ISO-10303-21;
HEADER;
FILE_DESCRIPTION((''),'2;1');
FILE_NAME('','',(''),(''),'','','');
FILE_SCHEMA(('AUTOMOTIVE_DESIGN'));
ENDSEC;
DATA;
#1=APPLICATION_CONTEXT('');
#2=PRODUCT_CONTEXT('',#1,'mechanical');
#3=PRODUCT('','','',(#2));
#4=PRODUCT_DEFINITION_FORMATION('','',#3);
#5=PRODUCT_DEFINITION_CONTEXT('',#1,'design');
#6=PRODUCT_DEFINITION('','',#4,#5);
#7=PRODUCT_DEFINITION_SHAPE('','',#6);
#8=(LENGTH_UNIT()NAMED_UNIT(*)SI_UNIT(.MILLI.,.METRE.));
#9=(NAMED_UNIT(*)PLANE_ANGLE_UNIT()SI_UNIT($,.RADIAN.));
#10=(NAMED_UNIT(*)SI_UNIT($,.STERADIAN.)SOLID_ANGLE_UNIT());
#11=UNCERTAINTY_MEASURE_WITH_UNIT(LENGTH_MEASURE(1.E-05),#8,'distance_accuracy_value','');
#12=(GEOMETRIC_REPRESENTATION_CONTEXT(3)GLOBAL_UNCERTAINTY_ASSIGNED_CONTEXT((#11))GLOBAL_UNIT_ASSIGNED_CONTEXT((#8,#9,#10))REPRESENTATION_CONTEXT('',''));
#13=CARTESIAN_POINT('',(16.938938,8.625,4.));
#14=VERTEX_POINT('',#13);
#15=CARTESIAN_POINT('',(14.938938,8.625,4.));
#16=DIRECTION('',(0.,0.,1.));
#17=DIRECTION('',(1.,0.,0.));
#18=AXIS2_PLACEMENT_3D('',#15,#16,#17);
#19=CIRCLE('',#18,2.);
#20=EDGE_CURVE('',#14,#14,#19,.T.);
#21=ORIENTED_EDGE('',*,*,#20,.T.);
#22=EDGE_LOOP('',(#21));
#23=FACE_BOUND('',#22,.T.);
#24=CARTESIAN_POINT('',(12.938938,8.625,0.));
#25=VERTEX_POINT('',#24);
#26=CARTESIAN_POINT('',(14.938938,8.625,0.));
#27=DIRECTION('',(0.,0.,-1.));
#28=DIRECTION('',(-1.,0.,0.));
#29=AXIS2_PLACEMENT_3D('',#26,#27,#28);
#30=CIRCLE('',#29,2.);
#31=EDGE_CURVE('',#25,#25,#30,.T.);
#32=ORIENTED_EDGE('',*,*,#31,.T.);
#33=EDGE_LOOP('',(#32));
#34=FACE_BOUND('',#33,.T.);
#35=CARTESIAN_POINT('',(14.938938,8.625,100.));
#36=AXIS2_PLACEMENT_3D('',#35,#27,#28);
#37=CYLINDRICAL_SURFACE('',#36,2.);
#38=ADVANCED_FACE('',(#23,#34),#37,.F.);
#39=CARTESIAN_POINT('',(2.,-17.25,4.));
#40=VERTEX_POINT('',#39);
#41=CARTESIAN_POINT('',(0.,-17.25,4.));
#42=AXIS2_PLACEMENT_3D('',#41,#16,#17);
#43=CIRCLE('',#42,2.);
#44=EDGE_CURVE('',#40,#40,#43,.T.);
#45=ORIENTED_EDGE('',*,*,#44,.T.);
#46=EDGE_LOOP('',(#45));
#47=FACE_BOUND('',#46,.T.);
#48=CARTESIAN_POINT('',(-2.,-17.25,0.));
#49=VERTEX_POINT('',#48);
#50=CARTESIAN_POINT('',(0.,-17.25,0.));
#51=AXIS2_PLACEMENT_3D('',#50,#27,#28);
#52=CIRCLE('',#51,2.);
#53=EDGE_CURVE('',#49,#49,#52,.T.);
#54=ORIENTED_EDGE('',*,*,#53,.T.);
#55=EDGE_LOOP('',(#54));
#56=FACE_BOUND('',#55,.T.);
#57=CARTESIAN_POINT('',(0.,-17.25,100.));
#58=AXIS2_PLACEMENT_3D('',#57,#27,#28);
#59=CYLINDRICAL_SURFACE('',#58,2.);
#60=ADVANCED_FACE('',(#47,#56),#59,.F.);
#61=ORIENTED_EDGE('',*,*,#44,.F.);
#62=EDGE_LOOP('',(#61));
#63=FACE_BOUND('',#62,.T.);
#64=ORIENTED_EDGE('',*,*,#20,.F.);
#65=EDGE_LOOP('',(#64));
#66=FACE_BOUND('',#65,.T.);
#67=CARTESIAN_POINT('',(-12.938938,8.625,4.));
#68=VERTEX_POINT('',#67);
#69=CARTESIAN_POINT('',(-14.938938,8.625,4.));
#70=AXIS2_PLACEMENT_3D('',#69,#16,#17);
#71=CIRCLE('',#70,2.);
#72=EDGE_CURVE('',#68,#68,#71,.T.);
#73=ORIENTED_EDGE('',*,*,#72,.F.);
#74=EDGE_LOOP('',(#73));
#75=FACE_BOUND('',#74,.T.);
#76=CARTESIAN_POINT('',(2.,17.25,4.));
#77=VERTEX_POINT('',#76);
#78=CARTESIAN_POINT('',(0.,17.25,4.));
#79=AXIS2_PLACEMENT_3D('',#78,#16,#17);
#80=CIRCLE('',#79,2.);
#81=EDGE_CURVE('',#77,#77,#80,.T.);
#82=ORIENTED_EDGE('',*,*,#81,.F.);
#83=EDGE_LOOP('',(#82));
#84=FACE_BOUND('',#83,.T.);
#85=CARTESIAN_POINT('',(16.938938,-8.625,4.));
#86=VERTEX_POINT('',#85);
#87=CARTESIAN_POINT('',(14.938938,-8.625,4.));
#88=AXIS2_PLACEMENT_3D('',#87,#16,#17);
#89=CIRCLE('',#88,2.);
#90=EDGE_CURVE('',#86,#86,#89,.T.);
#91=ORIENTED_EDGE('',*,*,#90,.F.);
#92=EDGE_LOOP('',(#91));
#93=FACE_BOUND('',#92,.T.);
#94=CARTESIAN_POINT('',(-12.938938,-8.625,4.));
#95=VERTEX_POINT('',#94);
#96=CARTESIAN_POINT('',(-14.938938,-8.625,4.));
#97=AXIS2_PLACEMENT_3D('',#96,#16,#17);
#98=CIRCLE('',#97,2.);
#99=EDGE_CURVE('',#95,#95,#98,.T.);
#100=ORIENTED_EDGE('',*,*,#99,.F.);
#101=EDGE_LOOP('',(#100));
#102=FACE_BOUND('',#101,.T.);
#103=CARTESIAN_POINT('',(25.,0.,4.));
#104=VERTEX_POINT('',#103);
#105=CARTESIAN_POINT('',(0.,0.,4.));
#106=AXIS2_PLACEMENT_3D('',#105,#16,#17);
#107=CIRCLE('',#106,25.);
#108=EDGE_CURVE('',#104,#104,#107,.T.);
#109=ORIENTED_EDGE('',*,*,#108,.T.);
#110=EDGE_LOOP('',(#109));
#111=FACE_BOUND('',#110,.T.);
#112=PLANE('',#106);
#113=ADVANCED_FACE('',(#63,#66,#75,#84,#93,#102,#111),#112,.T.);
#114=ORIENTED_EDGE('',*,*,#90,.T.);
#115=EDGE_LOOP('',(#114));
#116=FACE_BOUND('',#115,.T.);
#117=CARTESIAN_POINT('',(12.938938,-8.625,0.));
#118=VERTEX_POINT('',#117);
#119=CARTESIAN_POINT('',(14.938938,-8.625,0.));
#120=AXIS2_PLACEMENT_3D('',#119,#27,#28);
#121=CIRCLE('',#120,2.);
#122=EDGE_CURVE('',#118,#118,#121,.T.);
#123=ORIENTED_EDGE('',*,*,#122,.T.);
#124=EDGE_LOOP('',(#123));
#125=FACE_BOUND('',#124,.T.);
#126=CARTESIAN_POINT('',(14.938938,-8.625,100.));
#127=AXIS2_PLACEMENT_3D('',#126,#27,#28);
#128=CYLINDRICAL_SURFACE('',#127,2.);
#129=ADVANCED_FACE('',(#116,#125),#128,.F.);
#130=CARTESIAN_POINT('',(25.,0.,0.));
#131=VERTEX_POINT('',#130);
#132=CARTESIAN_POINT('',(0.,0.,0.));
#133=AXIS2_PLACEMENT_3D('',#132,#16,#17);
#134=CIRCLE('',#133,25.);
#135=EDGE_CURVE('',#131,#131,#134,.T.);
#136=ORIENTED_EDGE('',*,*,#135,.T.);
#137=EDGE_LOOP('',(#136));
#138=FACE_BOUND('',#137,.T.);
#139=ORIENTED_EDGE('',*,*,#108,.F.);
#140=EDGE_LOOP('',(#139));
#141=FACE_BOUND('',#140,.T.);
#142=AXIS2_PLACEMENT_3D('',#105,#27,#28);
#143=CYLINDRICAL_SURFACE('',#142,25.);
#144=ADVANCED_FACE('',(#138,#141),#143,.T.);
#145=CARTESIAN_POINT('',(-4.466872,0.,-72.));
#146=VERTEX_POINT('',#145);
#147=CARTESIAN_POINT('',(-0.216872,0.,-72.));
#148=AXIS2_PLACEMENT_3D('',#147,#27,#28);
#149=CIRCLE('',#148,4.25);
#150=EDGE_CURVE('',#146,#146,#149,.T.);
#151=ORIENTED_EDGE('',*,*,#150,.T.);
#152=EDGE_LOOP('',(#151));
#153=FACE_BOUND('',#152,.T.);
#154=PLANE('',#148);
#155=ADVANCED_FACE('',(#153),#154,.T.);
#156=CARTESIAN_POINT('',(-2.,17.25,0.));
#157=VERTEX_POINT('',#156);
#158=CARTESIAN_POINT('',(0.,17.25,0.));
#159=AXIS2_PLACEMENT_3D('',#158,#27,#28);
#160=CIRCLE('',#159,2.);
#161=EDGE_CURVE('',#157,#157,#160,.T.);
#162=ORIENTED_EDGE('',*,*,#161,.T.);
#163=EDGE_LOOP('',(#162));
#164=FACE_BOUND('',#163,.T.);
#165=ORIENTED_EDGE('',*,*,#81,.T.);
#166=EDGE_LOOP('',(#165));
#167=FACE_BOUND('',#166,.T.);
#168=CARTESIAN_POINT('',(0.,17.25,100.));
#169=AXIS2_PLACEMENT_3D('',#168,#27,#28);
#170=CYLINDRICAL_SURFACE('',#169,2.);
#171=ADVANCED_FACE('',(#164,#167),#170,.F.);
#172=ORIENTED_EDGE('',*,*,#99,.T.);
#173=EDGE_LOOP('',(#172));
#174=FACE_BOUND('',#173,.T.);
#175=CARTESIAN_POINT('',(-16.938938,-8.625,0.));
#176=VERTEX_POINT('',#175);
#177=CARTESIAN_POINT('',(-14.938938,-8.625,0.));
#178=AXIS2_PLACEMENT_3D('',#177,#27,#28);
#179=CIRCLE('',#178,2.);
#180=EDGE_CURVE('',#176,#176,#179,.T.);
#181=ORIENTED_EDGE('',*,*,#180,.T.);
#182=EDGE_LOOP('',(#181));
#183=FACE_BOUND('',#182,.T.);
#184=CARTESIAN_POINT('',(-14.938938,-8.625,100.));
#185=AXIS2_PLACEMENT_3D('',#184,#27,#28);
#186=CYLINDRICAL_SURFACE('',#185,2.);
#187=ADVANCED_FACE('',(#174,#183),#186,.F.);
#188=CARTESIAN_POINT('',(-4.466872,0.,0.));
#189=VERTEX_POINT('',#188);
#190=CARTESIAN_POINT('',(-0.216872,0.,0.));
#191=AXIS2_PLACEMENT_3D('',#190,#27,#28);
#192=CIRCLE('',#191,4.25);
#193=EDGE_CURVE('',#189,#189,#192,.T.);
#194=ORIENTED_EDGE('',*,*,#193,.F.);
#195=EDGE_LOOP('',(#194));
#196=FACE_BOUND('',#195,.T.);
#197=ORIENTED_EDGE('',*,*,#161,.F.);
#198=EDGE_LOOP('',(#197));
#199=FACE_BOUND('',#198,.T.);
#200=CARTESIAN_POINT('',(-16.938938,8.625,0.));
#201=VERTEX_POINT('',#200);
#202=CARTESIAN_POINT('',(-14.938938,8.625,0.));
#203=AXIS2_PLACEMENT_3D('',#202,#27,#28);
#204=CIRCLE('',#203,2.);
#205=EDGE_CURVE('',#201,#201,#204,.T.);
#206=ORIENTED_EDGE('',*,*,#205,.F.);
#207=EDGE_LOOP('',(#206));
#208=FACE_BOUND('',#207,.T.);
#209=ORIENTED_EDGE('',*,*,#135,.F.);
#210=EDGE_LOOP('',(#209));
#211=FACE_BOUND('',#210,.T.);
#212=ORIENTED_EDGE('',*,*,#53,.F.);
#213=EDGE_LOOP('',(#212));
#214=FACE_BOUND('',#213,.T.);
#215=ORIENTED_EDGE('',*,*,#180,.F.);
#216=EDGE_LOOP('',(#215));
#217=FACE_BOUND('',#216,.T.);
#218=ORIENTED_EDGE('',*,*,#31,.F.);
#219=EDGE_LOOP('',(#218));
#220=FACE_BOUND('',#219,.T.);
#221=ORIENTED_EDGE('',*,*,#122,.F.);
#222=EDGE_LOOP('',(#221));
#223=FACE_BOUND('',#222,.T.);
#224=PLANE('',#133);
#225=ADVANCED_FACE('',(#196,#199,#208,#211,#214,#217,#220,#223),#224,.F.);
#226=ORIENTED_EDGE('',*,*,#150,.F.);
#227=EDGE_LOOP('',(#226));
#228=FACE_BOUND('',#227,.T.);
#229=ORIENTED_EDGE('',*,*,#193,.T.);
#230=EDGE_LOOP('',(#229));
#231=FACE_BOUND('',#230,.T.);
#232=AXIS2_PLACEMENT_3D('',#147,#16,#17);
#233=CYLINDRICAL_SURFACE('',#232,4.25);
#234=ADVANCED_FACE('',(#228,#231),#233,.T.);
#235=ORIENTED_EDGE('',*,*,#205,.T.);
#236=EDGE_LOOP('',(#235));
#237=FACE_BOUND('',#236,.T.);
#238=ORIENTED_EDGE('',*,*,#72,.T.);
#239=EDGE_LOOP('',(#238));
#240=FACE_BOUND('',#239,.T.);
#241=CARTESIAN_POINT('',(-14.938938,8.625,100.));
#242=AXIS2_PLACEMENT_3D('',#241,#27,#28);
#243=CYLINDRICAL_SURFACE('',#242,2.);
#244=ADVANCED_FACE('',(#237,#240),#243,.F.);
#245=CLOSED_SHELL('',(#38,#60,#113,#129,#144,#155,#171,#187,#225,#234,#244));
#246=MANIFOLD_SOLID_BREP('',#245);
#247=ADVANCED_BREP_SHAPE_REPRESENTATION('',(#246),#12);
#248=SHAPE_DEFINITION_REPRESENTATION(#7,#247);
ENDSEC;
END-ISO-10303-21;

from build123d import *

# Parameters (mm, degrees)
SKETCH_1_R          = 25
EXTRUDE_1_DEPTH     = 4
SKETCH_2_R          = 4.25
EXTRUDE_2_DEPTH     = 72
SKETCH_3_R          = 2
CUT_EXTRUDE_1_DEPTH = 100


with BuildPart() as part:
    # 草图1 → 凸台-拉伸1 (new body)
    with BuildSketch(Plane.XY):
        Circle(SKETCH_1_R)
    extrude(amount=EXTRUDE_1_DEPTH)

    # 草图2 → 凸台-拉伸2 (add)
    with BuildSketch(Plane(origin=(0, 0, 0), x_dir=(-1, 0, 0), z_dir=(0, 0, -1))):
        with Locations((0.21687177, 0)):
            Circle(SKETCH_2_R)
    extrude(amount=EXTRUDE_2_DEPTH)

    # 草图3 → 切除-拉伸1 (cut)
    with BuildSketch(Plane(origin=(0, 0, 0), x_dir=(-1, 0, 0), z_dir=(0, 0, -1))):
        with Locations((0, 17.25)):
            Circle(SKETCH_3_R)
        with Locations((14.938938215, 8.625)):
            Circle(SKETCH_3_R)
        with Locations((14.938938215, -8.625)):
            Circle(SKETCH_3_R)
        with Locations((0, -17.25)):
            Circle(SKETCH_3_R)
        with Locations((-14.938938215, -8.625)):
            Circle(SKETCH_3_R)
        with Locations((-14.938938215, 8.625)):
            Circle(SKETCH_3_R)
    extrude(amount=-CUT_EXTRUDE_1_DEPTH, mode=Mode.SUBTRACT)


solid = part.part
